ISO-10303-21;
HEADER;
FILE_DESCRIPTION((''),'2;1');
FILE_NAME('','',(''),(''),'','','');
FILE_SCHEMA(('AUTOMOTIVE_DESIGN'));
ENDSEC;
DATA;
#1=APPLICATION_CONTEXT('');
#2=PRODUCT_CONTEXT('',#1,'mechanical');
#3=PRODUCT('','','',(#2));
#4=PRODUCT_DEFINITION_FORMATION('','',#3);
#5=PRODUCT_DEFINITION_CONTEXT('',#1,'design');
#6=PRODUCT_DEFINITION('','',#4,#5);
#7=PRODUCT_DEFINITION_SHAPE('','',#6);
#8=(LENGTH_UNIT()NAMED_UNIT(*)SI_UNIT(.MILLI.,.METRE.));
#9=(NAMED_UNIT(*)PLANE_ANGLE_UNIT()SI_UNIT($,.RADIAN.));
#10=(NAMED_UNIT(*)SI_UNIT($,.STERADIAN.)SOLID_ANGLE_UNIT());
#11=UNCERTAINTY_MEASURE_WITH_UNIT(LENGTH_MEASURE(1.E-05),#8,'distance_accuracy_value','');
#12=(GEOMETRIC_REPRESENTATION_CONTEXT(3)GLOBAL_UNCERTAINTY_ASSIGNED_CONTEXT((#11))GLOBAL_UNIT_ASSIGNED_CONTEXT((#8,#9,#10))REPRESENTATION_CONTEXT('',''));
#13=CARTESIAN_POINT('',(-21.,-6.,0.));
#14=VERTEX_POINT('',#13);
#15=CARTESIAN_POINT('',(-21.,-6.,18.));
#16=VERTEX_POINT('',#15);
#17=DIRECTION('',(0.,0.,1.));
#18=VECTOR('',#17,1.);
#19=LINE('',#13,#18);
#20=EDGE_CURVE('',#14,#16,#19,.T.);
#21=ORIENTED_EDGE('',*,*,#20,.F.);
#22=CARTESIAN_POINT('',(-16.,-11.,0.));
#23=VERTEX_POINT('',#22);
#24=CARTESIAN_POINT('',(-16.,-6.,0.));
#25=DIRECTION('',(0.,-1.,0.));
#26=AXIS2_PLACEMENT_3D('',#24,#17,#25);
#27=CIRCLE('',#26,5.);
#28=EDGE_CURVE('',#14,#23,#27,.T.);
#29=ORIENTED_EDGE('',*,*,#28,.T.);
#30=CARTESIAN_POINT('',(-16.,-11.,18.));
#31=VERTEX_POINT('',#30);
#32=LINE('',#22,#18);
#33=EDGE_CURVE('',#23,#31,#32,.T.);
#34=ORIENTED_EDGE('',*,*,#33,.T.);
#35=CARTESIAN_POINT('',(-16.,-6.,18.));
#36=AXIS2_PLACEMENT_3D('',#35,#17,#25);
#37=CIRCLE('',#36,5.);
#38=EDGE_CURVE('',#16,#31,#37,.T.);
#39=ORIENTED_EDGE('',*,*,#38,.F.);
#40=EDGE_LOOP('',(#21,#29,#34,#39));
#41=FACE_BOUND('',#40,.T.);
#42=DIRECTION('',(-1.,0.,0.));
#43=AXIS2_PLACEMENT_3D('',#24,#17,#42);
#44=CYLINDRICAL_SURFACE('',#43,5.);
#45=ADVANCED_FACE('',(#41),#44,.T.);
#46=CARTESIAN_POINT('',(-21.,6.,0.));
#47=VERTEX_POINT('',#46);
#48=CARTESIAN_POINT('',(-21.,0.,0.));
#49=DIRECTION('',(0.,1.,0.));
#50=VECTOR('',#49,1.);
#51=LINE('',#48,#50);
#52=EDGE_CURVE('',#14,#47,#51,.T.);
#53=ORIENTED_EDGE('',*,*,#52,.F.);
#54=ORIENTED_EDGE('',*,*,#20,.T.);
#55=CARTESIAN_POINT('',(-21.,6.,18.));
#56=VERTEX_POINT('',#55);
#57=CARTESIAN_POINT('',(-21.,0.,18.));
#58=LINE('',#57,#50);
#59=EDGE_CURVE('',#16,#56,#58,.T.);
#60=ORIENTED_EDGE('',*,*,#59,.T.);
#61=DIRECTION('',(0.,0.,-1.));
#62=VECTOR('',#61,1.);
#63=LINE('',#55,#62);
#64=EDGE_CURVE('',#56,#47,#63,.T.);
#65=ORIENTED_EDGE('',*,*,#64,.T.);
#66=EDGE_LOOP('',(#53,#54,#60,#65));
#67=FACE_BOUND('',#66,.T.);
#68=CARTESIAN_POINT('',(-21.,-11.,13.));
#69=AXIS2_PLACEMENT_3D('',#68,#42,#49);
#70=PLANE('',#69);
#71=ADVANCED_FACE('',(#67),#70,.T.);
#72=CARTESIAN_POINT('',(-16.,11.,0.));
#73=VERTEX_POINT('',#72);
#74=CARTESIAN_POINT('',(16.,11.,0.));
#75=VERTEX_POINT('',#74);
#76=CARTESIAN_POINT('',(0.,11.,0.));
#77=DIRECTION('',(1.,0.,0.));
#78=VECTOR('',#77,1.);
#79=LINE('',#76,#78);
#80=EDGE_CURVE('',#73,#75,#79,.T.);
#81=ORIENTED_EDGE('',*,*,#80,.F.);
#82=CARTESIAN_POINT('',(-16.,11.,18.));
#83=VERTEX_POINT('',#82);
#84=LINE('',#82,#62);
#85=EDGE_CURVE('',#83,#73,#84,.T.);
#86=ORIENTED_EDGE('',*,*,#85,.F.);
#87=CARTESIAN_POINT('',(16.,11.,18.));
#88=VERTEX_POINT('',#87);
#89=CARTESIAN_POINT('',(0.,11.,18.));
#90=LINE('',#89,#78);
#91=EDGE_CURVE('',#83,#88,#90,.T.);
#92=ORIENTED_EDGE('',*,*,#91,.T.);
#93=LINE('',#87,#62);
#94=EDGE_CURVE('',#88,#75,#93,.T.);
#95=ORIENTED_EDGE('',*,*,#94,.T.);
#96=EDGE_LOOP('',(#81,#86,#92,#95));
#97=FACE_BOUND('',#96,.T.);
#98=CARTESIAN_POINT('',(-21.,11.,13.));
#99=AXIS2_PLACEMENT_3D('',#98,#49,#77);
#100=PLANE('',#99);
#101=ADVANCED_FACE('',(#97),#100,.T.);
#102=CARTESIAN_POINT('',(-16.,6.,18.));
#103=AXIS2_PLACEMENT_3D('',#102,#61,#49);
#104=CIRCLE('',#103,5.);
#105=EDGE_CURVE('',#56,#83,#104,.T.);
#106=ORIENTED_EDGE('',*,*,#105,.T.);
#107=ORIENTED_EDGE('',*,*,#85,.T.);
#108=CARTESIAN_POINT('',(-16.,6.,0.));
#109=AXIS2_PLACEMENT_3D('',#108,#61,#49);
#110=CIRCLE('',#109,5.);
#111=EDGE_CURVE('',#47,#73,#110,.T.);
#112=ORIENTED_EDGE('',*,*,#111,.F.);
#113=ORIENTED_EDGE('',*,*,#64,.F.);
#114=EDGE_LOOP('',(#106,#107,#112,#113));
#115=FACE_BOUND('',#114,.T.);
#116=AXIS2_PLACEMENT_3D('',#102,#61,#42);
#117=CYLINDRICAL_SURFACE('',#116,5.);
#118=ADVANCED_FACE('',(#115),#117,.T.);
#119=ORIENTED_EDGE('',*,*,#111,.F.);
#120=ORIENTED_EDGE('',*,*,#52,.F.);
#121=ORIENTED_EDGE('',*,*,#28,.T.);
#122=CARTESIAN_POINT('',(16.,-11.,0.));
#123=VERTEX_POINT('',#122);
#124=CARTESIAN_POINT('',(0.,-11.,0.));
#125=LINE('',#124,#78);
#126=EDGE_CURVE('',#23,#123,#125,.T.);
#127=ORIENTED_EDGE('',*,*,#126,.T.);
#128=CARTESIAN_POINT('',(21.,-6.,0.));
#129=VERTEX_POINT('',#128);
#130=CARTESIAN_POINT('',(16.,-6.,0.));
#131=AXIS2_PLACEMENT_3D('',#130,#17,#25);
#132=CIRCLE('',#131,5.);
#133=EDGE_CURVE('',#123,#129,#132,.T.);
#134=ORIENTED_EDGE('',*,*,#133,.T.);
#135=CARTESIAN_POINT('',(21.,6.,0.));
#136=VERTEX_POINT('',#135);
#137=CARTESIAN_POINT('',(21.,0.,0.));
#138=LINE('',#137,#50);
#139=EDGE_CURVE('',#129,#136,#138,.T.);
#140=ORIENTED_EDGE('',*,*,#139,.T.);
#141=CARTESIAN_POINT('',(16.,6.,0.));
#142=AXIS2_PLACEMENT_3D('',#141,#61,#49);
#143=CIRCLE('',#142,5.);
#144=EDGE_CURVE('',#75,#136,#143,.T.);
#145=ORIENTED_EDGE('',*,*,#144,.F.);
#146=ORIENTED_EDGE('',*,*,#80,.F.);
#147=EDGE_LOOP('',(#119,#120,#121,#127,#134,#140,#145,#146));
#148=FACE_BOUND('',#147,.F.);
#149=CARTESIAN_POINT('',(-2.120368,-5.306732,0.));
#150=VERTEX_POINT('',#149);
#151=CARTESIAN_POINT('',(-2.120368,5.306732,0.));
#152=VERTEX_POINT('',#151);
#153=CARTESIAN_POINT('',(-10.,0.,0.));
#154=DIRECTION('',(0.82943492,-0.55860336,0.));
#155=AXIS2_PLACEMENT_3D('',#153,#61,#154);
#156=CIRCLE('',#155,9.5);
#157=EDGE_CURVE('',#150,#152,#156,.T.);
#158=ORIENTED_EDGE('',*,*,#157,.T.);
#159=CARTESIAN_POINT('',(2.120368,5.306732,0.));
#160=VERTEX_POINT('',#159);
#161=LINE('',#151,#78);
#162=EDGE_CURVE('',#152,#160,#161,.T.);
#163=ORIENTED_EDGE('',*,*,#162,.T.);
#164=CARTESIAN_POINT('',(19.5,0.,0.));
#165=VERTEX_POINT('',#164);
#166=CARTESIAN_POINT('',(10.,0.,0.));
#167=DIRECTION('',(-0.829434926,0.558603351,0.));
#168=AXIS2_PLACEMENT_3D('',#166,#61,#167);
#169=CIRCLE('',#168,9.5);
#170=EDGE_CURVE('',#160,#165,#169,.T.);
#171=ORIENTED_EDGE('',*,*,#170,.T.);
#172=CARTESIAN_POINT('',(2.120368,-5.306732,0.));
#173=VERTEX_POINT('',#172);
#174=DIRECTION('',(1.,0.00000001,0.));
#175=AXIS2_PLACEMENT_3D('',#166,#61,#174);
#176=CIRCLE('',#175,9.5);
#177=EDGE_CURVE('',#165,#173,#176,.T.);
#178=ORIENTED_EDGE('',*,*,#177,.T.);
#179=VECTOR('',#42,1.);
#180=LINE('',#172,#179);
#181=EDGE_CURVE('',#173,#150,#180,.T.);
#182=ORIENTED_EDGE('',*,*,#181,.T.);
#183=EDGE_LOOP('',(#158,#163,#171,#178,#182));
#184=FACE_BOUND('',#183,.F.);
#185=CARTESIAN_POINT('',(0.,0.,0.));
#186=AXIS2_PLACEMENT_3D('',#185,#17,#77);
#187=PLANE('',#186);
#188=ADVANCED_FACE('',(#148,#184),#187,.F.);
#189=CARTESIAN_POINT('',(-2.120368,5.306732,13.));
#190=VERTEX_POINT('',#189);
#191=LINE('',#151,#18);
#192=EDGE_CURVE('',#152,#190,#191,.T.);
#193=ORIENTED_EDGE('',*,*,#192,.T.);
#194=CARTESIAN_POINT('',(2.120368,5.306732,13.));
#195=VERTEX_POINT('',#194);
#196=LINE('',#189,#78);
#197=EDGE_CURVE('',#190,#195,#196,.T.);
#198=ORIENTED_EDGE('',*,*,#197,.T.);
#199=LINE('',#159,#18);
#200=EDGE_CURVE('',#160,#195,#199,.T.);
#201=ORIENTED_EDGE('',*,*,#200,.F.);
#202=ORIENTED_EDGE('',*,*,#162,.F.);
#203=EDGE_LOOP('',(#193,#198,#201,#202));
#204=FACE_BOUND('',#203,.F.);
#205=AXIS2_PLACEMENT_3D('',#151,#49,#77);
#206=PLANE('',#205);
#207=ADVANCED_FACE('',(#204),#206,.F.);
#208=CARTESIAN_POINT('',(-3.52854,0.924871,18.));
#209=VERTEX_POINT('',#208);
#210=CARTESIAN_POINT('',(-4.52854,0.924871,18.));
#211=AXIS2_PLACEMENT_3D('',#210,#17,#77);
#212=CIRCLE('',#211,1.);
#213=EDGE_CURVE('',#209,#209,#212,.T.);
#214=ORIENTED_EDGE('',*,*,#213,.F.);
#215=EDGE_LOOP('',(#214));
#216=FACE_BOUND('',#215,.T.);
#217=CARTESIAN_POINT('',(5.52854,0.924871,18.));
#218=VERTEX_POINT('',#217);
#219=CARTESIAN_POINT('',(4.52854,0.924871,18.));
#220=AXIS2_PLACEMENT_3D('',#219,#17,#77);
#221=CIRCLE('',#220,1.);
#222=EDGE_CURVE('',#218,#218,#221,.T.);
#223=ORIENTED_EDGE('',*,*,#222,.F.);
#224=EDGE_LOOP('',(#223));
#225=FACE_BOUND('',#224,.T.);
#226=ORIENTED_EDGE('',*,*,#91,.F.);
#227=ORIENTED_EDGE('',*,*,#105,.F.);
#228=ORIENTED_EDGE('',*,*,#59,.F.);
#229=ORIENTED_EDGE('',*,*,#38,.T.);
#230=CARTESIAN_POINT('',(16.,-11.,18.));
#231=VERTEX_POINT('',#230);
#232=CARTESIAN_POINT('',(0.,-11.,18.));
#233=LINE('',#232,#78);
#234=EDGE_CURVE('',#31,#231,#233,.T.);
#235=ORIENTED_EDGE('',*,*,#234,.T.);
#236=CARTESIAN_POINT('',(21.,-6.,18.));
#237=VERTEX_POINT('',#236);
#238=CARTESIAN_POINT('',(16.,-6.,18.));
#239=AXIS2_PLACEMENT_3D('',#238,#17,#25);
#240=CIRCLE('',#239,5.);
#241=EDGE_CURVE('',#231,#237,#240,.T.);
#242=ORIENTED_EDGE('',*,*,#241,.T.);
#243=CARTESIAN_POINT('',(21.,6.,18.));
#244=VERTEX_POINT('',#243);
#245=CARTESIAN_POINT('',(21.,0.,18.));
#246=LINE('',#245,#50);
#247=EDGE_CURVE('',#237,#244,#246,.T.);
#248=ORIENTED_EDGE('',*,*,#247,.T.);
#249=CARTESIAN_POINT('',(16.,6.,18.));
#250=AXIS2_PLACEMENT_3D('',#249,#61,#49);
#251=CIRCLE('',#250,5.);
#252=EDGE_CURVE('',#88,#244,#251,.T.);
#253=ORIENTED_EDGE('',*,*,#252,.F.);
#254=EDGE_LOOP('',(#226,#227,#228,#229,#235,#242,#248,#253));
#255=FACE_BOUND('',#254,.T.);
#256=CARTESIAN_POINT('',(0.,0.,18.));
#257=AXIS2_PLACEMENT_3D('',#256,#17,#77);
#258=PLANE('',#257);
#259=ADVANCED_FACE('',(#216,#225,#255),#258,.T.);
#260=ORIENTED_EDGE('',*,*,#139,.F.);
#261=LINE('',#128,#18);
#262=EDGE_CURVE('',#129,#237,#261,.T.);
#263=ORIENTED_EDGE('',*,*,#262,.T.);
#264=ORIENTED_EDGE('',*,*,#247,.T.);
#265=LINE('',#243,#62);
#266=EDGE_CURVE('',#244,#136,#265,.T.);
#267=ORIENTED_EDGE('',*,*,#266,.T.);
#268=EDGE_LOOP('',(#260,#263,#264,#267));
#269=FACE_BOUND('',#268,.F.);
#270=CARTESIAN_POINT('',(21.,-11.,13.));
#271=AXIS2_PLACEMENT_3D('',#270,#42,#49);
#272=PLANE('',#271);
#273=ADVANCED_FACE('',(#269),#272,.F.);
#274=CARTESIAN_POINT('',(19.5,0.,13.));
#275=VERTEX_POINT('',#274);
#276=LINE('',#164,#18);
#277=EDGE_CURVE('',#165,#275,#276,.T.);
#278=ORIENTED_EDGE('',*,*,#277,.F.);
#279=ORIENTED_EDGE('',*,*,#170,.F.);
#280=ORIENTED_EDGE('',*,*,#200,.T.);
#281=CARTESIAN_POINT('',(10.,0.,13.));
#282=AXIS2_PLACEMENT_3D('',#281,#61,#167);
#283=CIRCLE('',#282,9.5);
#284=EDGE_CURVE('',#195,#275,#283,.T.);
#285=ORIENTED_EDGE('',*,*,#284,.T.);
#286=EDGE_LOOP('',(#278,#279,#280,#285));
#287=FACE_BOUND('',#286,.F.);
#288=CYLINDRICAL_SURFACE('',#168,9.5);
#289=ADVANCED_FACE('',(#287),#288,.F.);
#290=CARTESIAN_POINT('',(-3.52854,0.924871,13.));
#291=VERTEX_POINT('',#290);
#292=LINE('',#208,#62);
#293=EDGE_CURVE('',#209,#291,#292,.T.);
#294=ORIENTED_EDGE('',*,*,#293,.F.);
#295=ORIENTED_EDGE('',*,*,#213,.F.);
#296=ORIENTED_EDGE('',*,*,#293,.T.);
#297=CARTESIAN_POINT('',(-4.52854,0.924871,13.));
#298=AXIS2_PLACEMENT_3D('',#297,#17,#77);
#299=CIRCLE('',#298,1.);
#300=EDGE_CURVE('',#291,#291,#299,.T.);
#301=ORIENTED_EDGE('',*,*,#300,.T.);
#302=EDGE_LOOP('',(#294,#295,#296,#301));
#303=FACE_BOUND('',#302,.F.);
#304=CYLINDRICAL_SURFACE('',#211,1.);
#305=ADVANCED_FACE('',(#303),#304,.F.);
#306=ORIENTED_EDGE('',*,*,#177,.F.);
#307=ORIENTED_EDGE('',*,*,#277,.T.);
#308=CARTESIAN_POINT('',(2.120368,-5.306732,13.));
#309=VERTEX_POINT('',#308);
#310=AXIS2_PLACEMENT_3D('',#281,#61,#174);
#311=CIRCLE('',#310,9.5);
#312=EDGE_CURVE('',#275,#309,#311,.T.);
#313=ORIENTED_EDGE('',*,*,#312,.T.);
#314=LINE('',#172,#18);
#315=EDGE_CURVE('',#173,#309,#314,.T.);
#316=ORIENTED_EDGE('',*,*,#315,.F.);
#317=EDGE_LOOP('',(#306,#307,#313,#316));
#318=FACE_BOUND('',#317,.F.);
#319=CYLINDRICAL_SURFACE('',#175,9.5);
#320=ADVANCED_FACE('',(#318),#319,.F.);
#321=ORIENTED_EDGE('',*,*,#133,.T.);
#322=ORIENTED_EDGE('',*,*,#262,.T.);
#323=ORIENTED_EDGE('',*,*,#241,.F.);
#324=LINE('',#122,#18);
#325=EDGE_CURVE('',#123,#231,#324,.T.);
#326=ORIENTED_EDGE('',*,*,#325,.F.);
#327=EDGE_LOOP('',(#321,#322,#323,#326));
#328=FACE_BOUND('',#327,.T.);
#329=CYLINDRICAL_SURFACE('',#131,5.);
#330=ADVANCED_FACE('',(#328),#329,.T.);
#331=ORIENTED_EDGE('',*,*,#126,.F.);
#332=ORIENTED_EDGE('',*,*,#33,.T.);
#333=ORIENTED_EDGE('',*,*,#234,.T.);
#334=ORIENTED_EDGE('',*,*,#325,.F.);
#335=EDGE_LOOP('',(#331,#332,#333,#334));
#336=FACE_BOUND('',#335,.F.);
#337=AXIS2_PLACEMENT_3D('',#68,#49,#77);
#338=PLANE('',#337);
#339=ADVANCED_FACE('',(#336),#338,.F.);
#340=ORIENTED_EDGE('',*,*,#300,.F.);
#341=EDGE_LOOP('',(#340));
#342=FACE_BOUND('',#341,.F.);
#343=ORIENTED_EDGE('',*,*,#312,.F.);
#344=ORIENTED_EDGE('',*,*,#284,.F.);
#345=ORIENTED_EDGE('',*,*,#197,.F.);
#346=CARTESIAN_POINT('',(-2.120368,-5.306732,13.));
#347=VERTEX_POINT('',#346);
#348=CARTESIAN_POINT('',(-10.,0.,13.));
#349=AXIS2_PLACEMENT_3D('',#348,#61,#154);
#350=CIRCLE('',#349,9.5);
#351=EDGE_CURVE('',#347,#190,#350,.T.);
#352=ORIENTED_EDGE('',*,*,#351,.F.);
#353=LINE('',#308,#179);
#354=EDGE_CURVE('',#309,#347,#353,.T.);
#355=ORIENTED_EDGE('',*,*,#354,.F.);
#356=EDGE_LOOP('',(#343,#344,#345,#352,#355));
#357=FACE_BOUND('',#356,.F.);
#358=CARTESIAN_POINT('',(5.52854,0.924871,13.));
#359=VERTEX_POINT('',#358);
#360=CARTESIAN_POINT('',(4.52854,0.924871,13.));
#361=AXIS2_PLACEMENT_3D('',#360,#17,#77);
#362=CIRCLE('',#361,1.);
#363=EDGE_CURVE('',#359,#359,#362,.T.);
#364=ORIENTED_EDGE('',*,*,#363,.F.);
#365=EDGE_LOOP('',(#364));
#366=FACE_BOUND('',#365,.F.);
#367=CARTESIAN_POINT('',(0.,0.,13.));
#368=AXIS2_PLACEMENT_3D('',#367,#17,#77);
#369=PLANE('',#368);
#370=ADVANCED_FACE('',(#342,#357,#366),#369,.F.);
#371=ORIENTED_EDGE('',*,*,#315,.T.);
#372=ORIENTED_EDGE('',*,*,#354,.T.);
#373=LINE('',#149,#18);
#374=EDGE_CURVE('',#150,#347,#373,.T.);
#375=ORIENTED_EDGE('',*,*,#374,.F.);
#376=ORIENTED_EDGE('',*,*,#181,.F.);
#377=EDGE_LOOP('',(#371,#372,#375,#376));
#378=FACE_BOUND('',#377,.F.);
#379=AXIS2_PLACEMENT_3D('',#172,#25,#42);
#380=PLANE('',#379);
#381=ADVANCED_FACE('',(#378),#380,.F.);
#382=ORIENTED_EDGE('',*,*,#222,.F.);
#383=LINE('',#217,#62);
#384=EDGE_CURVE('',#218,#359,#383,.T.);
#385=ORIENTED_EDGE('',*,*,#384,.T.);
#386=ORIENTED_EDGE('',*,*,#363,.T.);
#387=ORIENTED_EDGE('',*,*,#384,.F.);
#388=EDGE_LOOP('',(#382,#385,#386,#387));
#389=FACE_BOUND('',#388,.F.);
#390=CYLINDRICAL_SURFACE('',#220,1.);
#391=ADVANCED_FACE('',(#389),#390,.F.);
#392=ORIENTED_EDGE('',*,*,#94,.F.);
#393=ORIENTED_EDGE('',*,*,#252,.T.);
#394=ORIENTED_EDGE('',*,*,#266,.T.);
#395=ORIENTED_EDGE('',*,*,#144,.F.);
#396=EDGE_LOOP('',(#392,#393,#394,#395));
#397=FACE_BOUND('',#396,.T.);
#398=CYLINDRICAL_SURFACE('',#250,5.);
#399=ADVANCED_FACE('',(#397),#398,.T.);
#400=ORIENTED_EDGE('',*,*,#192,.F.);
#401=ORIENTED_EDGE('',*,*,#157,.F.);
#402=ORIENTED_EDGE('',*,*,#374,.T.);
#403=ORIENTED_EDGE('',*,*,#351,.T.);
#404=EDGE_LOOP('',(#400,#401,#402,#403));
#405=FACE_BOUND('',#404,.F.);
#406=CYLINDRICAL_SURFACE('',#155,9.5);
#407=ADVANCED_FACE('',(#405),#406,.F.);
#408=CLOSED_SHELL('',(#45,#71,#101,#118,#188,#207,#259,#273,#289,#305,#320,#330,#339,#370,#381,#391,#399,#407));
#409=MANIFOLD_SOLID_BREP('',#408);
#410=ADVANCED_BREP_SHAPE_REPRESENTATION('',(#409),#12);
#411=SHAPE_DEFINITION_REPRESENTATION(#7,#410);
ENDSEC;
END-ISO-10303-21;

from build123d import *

# Parameters (mm, degrees)
F0_W     = 42
F0_H     = 22
F1_DEPTH = 13
F2_W     = 42
F2_H     = 22
F3_DEPTH = 5
F4_R     = 1
F5_DEPTH = 6
F6_R     = 5


with BuildPart() as f1:
    # F0 (on Top) → F1 (new body)
    with BuildSketch(Plane.XY):
        Rectangle(F0_W, F0_H)
        with BuildLine():
            ThreePointArc((-2.120368, -5.306732), (-19.5, 0), (-2.120368, 5.306732))
            Line((-2.120368, 5.306732), (2.120368, 5.306732))
            ThreePointArc((2.120368, 5.306732), (12.774302, 9.085882), (19.5, 0))
            ThreePointArc((19.5, 0), (12.774302, -9.085882), (2.120368, -5.306732))
            Line((2.120368, -5.306732), (-2.120368, -5.306732))
        make_face(mode=Mode.SUBTRACT)
    extrude(amount=F1_DEPTH)

    # F2 (on face) → F3 (join)
    with BuildSketch(Plane.XY.offset(13)):
        Rectangle(F2_W, F2_H)
    extrude(amount=F3_DEPTH)

    # F4 (on face) → F5 (cut)
    with BuildSketch(Plane.XY.offset(18)):
        with Locations((-4.52854, 0.924871)):
            Circle(F4_R)
        with Locations((4.52854, 0.924871)):
            Circle(F4_R)
    extrude(amount=-F5_DEPTH, mode=Mode.SUBTRACT)

    # F6
    f6_edges = [f1.edges().sort_by_distance(p)[0] for p in [
        (-21, -11, 9),
        (21, -11, 9),
        (-21, 11, 9),
        (21, 11, 9),
    ]]
    fillet(f6_edges, radius=F6_R)


solid = f1.part
